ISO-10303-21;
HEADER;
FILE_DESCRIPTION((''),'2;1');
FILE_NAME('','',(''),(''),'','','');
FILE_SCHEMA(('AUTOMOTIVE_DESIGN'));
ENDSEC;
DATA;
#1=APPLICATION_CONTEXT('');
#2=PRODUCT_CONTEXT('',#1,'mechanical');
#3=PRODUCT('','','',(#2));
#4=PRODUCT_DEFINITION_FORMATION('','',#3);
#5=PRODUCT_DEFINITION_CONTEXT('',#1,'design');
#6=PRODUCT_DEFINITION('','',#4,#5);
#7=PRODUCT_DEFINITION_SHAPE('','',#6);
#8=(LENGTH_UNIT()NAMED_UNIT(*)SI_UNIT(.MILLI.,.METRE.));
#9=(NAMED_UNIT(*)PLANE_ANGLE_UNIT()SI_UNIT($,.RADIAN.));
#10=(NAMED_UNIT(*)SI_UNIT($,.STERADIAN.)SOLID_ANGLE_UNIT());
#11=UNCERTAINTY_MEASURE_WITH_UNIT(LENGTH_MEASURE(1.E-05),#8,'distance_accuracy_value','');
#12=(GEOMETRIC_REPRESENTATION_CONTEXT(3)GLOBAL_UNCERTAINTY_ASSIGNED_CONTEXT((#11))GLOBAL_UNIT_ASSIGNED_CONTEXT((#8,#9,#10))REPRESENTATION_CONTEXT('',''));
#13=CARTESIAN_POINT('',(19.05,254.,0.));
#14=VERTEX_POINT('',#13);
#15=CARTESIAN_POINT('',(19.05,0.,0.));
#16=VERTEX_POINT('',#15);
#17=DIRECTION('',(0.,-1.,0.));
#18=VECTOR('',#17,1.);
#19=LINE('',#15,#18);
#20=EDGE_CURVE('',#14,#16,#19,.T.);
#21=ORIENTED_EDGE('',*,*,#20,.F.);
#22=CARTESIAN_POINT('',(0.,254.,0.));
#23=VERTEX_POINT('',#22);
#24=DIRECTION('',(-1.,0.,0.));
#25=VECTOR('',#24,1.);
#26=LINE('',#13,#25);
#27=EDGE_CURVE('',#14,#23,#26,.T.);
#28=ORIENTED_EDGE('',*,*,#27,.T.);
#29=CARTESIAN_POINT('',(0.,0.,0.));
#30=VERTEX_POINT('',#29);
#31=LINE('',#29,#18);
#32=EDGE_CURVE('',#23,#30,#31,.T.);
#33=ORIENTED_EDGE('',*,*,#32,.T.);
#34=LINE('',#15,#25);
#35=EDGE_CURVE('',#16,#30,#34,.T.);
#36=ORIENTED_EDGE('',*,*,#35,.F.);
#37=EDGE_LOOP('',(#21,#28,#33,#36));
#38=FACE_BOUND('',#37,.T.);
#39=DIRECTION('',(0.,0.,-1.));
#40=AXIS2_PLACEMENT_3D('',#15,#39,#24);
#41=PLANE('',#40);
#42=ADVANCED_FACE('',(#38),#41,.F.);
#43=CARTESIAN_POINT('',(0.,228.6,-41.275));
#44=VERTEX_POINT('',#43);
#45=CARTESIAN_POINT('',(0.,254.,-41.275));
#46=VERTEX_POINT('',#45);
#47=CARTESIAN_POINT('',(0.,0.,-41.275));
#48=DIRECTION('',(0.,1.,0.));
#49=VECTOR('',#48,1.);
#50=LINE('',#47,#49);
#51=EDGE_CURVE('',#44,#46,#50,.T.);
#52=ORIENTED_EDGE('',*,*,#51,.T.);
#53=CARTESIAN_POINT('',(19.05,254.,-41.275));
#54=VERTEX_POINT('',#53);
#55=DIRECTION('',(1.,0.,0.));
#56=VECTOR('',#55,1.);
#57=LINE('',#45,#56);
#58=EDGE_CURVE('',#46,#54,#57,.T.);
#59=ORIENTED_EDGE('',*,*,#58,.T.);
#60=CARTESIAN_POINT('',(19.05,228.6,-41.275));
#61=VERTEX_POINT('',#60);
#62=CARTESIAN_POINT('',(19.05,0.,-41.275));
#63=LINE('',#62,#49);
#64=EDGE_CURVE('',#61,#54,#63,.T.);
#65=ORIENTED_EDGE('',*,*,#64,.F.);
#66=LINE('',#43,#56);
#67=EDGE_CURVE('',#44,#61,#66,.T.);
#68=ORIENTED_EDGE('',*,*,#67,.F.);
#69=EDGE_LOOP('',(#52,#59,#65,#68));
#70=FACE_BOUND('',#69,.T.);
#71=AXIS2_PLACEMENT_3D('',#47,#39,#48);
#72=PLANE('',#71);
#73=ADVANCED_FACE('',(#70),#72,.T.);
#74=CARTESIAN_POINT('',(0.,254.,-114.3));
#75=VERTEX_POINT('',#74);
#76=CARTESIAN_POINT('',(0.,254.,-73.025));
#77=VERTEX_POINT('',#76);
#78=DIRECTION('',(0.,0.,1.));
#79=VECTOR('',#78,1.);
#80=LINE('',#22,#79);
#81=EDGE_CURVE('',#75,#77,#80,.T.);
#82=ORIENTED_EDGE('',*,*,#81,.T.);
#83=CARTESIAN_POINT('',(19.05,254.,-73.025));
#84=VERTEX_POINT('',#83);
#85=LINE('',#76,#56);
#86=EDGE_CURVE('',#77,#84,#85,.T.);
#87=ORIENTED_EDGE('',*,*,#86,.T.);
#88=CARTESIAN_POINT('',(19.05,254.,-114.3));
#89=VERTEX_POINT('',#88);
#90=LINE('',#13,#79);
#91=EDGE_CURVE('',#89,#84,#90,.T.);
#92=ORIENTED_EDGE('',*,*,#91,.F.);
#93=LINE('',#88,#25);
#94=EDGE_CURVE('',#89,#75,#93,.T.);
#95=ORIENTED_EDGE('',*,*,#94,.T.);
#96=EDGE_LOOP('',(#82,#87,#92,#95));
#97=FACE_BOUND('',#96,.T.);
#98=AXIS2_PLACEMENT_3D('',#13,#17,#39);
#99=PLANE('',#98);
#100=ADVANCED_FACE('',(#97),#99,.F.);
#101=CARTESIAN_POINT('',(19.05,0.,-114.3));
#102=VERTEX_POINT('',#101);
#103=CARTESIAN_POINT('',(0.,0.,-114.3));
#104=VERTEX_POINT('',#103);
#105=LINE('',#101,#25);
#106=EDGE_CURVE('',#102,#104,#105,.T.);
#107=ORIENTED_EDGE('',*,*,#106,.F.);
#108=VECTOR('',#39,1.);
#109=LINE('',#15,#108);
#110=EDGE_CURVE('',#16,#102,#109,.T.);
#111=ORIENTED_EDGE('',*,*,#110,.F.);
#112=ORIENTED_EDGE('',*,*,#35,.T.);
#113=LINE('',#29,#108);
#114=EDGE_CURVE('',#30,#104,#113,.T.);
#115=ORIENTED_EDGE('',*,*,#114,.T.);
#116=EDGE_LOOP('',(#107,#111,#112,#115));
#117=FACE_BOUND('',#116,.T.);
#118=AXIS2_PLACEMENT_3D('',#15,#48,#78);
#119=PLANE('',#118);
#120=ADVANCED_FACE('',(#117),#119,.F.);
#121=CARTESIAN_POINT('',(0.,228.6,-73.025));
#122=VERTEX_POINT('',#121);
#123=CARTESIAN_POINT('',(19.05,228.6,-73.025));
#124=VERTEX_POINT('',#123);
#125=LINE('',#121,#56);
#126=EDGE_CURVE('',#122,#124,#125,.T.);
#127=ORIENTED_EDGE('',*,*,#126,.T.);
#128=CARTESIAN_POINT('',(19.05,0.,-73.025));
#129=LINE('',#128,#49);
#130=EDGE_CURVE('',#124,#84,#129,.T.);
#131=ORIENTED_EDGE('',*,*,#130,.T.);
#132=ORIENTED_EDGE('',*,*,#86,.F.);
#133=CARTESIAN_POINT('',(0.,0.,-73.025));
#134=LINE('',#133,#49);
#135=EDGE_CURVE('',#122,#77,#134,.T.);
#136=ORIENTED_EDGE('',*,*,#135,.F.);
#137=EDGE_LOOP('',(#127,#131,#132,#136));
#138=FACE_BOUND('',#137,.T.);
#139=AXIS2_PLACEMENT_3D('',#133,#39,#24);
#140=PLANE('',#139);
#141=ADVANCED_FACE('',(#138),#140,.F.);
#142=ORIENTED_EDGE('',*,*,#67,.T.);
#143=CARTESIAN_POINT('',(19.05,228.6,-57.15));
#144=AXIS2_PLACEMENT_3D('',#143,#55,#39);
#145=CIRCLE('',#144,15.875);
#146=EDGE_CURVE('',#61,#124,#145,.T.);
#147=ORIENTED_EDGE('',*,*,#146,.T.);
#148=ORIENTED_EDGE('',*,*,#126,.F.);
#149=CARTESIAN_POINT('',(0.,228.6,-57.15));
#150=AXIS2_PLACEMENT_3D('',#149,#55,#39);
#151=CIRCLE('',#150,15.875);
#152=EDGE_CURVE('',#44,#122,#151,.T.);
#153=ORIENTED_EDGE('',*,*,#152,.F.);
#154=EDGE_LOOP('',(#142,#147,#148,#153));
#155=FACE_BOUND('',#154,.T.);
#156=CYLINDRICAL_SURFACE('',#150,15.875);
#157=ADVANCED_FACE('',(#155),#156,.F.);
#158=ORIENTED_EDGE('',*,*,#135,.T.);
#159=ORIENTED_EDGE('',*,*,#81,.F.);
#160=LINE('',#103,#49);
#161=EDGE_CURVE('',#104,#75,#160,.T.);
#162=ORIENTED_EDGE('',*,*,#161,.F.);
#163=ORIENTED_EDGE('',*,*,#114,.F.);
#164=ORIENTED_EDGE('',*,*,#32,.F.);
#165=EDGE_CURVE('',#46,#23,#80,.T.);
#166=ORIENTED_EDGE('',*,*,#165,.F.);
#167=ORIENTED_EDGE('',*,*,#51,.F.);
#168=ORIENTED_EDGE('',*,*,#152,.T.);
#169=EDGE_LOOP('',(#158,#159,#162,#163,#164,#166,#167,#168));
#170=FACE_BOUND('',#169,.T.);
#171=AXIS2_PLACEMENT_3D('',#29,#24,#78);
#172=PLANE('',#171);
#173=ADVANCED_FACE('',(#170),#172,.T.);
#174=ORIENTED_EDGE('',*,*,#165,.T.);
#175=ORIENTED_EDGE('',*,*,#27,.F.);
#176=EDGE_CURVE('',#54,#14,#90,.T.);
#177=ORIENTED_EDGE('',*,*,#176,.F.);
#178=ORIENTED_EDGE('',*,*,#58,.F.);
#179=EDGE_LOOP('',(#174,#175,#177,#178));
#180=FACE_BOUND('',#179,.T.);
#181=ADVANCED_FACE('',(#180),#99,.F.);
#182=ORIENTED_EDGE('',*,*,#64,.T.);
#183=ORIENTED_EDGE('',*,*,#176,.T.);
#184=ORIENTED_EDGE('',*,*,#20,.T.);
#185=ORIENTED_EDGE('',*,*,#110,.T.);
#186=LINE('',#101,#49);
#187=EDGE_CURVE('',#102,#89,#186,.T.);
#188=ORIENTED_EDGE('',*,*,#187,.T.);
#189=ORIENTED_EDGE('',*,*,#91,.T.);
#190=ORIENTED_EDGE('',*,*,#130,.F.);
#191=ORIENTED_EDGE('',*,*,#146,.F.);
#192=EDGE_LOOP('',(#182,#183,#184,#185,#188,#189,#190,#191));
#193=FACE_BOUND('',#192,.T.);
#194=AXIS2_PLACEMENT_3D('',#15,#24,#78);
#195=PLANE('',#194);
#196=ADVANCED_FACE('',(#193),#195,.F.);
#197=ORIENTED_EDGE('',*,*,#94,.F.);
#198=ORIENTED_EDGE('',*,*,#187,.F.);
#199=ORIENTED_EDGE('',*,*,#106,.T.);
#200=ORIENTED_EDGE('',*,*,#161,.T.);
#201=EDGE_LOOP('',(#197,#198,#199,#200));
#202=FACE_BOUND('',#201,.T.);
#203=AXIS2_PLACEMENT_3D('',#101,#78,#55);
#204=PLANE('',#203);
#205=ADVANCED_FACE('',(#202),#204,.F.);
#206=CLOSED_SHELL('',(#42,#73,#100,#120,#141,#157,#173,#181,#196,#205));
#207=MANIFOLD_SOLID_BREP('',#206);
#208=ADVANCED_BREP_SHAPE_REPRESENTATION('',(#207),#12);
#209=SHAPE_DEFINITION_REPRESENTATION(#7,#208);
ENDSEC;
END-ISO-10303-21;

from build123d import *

# Parameters (mm, degrees)
SKETCH2_W           = 114.3
SKETCH2_H           = 254
BOSS_EXTRUDE1_DEPTH = 19.05
CUT_EXTRUDE1_DEPTH  = 280.1834388


with BuildPart() as part:
    # Sketch2 → Boss-Extrude1 (new body)
    with BuildSketch(Plane(origin=(0, 0, 0), x_dir=(0, 0, -1), z_dir=(1, 0, 0))):
        with Locations((57.15, 127)):
            Rectangle(SKETCH2_W, SKETCH2_H)
    extrude(amount=BOSS_EXTRUDE1_DEPTH)

    # Sketch3 → Cut-Extrude1 (cut, through all)
    with BuildSketch(Plane(origin=(19.05, 0, 0), x_dir=(0, 0, -1), z_dir=(1, 0, 0))):
        with BuildLine():
            Line((73.025, 254), (41.275, 254))
            Line((41.275, 254), (41.275, 228.6))
            ThreePointArc((41.275, 228.6), (57.15, 212.725), (73.025, 228.6))
            Line((73.025, 228.6), (73.025, 254))
        make_face()
    extrude(amount=-CUT_EXTRUDE1_DEPTH, mode=Mode.SUBTRACT)


solid = part.part
